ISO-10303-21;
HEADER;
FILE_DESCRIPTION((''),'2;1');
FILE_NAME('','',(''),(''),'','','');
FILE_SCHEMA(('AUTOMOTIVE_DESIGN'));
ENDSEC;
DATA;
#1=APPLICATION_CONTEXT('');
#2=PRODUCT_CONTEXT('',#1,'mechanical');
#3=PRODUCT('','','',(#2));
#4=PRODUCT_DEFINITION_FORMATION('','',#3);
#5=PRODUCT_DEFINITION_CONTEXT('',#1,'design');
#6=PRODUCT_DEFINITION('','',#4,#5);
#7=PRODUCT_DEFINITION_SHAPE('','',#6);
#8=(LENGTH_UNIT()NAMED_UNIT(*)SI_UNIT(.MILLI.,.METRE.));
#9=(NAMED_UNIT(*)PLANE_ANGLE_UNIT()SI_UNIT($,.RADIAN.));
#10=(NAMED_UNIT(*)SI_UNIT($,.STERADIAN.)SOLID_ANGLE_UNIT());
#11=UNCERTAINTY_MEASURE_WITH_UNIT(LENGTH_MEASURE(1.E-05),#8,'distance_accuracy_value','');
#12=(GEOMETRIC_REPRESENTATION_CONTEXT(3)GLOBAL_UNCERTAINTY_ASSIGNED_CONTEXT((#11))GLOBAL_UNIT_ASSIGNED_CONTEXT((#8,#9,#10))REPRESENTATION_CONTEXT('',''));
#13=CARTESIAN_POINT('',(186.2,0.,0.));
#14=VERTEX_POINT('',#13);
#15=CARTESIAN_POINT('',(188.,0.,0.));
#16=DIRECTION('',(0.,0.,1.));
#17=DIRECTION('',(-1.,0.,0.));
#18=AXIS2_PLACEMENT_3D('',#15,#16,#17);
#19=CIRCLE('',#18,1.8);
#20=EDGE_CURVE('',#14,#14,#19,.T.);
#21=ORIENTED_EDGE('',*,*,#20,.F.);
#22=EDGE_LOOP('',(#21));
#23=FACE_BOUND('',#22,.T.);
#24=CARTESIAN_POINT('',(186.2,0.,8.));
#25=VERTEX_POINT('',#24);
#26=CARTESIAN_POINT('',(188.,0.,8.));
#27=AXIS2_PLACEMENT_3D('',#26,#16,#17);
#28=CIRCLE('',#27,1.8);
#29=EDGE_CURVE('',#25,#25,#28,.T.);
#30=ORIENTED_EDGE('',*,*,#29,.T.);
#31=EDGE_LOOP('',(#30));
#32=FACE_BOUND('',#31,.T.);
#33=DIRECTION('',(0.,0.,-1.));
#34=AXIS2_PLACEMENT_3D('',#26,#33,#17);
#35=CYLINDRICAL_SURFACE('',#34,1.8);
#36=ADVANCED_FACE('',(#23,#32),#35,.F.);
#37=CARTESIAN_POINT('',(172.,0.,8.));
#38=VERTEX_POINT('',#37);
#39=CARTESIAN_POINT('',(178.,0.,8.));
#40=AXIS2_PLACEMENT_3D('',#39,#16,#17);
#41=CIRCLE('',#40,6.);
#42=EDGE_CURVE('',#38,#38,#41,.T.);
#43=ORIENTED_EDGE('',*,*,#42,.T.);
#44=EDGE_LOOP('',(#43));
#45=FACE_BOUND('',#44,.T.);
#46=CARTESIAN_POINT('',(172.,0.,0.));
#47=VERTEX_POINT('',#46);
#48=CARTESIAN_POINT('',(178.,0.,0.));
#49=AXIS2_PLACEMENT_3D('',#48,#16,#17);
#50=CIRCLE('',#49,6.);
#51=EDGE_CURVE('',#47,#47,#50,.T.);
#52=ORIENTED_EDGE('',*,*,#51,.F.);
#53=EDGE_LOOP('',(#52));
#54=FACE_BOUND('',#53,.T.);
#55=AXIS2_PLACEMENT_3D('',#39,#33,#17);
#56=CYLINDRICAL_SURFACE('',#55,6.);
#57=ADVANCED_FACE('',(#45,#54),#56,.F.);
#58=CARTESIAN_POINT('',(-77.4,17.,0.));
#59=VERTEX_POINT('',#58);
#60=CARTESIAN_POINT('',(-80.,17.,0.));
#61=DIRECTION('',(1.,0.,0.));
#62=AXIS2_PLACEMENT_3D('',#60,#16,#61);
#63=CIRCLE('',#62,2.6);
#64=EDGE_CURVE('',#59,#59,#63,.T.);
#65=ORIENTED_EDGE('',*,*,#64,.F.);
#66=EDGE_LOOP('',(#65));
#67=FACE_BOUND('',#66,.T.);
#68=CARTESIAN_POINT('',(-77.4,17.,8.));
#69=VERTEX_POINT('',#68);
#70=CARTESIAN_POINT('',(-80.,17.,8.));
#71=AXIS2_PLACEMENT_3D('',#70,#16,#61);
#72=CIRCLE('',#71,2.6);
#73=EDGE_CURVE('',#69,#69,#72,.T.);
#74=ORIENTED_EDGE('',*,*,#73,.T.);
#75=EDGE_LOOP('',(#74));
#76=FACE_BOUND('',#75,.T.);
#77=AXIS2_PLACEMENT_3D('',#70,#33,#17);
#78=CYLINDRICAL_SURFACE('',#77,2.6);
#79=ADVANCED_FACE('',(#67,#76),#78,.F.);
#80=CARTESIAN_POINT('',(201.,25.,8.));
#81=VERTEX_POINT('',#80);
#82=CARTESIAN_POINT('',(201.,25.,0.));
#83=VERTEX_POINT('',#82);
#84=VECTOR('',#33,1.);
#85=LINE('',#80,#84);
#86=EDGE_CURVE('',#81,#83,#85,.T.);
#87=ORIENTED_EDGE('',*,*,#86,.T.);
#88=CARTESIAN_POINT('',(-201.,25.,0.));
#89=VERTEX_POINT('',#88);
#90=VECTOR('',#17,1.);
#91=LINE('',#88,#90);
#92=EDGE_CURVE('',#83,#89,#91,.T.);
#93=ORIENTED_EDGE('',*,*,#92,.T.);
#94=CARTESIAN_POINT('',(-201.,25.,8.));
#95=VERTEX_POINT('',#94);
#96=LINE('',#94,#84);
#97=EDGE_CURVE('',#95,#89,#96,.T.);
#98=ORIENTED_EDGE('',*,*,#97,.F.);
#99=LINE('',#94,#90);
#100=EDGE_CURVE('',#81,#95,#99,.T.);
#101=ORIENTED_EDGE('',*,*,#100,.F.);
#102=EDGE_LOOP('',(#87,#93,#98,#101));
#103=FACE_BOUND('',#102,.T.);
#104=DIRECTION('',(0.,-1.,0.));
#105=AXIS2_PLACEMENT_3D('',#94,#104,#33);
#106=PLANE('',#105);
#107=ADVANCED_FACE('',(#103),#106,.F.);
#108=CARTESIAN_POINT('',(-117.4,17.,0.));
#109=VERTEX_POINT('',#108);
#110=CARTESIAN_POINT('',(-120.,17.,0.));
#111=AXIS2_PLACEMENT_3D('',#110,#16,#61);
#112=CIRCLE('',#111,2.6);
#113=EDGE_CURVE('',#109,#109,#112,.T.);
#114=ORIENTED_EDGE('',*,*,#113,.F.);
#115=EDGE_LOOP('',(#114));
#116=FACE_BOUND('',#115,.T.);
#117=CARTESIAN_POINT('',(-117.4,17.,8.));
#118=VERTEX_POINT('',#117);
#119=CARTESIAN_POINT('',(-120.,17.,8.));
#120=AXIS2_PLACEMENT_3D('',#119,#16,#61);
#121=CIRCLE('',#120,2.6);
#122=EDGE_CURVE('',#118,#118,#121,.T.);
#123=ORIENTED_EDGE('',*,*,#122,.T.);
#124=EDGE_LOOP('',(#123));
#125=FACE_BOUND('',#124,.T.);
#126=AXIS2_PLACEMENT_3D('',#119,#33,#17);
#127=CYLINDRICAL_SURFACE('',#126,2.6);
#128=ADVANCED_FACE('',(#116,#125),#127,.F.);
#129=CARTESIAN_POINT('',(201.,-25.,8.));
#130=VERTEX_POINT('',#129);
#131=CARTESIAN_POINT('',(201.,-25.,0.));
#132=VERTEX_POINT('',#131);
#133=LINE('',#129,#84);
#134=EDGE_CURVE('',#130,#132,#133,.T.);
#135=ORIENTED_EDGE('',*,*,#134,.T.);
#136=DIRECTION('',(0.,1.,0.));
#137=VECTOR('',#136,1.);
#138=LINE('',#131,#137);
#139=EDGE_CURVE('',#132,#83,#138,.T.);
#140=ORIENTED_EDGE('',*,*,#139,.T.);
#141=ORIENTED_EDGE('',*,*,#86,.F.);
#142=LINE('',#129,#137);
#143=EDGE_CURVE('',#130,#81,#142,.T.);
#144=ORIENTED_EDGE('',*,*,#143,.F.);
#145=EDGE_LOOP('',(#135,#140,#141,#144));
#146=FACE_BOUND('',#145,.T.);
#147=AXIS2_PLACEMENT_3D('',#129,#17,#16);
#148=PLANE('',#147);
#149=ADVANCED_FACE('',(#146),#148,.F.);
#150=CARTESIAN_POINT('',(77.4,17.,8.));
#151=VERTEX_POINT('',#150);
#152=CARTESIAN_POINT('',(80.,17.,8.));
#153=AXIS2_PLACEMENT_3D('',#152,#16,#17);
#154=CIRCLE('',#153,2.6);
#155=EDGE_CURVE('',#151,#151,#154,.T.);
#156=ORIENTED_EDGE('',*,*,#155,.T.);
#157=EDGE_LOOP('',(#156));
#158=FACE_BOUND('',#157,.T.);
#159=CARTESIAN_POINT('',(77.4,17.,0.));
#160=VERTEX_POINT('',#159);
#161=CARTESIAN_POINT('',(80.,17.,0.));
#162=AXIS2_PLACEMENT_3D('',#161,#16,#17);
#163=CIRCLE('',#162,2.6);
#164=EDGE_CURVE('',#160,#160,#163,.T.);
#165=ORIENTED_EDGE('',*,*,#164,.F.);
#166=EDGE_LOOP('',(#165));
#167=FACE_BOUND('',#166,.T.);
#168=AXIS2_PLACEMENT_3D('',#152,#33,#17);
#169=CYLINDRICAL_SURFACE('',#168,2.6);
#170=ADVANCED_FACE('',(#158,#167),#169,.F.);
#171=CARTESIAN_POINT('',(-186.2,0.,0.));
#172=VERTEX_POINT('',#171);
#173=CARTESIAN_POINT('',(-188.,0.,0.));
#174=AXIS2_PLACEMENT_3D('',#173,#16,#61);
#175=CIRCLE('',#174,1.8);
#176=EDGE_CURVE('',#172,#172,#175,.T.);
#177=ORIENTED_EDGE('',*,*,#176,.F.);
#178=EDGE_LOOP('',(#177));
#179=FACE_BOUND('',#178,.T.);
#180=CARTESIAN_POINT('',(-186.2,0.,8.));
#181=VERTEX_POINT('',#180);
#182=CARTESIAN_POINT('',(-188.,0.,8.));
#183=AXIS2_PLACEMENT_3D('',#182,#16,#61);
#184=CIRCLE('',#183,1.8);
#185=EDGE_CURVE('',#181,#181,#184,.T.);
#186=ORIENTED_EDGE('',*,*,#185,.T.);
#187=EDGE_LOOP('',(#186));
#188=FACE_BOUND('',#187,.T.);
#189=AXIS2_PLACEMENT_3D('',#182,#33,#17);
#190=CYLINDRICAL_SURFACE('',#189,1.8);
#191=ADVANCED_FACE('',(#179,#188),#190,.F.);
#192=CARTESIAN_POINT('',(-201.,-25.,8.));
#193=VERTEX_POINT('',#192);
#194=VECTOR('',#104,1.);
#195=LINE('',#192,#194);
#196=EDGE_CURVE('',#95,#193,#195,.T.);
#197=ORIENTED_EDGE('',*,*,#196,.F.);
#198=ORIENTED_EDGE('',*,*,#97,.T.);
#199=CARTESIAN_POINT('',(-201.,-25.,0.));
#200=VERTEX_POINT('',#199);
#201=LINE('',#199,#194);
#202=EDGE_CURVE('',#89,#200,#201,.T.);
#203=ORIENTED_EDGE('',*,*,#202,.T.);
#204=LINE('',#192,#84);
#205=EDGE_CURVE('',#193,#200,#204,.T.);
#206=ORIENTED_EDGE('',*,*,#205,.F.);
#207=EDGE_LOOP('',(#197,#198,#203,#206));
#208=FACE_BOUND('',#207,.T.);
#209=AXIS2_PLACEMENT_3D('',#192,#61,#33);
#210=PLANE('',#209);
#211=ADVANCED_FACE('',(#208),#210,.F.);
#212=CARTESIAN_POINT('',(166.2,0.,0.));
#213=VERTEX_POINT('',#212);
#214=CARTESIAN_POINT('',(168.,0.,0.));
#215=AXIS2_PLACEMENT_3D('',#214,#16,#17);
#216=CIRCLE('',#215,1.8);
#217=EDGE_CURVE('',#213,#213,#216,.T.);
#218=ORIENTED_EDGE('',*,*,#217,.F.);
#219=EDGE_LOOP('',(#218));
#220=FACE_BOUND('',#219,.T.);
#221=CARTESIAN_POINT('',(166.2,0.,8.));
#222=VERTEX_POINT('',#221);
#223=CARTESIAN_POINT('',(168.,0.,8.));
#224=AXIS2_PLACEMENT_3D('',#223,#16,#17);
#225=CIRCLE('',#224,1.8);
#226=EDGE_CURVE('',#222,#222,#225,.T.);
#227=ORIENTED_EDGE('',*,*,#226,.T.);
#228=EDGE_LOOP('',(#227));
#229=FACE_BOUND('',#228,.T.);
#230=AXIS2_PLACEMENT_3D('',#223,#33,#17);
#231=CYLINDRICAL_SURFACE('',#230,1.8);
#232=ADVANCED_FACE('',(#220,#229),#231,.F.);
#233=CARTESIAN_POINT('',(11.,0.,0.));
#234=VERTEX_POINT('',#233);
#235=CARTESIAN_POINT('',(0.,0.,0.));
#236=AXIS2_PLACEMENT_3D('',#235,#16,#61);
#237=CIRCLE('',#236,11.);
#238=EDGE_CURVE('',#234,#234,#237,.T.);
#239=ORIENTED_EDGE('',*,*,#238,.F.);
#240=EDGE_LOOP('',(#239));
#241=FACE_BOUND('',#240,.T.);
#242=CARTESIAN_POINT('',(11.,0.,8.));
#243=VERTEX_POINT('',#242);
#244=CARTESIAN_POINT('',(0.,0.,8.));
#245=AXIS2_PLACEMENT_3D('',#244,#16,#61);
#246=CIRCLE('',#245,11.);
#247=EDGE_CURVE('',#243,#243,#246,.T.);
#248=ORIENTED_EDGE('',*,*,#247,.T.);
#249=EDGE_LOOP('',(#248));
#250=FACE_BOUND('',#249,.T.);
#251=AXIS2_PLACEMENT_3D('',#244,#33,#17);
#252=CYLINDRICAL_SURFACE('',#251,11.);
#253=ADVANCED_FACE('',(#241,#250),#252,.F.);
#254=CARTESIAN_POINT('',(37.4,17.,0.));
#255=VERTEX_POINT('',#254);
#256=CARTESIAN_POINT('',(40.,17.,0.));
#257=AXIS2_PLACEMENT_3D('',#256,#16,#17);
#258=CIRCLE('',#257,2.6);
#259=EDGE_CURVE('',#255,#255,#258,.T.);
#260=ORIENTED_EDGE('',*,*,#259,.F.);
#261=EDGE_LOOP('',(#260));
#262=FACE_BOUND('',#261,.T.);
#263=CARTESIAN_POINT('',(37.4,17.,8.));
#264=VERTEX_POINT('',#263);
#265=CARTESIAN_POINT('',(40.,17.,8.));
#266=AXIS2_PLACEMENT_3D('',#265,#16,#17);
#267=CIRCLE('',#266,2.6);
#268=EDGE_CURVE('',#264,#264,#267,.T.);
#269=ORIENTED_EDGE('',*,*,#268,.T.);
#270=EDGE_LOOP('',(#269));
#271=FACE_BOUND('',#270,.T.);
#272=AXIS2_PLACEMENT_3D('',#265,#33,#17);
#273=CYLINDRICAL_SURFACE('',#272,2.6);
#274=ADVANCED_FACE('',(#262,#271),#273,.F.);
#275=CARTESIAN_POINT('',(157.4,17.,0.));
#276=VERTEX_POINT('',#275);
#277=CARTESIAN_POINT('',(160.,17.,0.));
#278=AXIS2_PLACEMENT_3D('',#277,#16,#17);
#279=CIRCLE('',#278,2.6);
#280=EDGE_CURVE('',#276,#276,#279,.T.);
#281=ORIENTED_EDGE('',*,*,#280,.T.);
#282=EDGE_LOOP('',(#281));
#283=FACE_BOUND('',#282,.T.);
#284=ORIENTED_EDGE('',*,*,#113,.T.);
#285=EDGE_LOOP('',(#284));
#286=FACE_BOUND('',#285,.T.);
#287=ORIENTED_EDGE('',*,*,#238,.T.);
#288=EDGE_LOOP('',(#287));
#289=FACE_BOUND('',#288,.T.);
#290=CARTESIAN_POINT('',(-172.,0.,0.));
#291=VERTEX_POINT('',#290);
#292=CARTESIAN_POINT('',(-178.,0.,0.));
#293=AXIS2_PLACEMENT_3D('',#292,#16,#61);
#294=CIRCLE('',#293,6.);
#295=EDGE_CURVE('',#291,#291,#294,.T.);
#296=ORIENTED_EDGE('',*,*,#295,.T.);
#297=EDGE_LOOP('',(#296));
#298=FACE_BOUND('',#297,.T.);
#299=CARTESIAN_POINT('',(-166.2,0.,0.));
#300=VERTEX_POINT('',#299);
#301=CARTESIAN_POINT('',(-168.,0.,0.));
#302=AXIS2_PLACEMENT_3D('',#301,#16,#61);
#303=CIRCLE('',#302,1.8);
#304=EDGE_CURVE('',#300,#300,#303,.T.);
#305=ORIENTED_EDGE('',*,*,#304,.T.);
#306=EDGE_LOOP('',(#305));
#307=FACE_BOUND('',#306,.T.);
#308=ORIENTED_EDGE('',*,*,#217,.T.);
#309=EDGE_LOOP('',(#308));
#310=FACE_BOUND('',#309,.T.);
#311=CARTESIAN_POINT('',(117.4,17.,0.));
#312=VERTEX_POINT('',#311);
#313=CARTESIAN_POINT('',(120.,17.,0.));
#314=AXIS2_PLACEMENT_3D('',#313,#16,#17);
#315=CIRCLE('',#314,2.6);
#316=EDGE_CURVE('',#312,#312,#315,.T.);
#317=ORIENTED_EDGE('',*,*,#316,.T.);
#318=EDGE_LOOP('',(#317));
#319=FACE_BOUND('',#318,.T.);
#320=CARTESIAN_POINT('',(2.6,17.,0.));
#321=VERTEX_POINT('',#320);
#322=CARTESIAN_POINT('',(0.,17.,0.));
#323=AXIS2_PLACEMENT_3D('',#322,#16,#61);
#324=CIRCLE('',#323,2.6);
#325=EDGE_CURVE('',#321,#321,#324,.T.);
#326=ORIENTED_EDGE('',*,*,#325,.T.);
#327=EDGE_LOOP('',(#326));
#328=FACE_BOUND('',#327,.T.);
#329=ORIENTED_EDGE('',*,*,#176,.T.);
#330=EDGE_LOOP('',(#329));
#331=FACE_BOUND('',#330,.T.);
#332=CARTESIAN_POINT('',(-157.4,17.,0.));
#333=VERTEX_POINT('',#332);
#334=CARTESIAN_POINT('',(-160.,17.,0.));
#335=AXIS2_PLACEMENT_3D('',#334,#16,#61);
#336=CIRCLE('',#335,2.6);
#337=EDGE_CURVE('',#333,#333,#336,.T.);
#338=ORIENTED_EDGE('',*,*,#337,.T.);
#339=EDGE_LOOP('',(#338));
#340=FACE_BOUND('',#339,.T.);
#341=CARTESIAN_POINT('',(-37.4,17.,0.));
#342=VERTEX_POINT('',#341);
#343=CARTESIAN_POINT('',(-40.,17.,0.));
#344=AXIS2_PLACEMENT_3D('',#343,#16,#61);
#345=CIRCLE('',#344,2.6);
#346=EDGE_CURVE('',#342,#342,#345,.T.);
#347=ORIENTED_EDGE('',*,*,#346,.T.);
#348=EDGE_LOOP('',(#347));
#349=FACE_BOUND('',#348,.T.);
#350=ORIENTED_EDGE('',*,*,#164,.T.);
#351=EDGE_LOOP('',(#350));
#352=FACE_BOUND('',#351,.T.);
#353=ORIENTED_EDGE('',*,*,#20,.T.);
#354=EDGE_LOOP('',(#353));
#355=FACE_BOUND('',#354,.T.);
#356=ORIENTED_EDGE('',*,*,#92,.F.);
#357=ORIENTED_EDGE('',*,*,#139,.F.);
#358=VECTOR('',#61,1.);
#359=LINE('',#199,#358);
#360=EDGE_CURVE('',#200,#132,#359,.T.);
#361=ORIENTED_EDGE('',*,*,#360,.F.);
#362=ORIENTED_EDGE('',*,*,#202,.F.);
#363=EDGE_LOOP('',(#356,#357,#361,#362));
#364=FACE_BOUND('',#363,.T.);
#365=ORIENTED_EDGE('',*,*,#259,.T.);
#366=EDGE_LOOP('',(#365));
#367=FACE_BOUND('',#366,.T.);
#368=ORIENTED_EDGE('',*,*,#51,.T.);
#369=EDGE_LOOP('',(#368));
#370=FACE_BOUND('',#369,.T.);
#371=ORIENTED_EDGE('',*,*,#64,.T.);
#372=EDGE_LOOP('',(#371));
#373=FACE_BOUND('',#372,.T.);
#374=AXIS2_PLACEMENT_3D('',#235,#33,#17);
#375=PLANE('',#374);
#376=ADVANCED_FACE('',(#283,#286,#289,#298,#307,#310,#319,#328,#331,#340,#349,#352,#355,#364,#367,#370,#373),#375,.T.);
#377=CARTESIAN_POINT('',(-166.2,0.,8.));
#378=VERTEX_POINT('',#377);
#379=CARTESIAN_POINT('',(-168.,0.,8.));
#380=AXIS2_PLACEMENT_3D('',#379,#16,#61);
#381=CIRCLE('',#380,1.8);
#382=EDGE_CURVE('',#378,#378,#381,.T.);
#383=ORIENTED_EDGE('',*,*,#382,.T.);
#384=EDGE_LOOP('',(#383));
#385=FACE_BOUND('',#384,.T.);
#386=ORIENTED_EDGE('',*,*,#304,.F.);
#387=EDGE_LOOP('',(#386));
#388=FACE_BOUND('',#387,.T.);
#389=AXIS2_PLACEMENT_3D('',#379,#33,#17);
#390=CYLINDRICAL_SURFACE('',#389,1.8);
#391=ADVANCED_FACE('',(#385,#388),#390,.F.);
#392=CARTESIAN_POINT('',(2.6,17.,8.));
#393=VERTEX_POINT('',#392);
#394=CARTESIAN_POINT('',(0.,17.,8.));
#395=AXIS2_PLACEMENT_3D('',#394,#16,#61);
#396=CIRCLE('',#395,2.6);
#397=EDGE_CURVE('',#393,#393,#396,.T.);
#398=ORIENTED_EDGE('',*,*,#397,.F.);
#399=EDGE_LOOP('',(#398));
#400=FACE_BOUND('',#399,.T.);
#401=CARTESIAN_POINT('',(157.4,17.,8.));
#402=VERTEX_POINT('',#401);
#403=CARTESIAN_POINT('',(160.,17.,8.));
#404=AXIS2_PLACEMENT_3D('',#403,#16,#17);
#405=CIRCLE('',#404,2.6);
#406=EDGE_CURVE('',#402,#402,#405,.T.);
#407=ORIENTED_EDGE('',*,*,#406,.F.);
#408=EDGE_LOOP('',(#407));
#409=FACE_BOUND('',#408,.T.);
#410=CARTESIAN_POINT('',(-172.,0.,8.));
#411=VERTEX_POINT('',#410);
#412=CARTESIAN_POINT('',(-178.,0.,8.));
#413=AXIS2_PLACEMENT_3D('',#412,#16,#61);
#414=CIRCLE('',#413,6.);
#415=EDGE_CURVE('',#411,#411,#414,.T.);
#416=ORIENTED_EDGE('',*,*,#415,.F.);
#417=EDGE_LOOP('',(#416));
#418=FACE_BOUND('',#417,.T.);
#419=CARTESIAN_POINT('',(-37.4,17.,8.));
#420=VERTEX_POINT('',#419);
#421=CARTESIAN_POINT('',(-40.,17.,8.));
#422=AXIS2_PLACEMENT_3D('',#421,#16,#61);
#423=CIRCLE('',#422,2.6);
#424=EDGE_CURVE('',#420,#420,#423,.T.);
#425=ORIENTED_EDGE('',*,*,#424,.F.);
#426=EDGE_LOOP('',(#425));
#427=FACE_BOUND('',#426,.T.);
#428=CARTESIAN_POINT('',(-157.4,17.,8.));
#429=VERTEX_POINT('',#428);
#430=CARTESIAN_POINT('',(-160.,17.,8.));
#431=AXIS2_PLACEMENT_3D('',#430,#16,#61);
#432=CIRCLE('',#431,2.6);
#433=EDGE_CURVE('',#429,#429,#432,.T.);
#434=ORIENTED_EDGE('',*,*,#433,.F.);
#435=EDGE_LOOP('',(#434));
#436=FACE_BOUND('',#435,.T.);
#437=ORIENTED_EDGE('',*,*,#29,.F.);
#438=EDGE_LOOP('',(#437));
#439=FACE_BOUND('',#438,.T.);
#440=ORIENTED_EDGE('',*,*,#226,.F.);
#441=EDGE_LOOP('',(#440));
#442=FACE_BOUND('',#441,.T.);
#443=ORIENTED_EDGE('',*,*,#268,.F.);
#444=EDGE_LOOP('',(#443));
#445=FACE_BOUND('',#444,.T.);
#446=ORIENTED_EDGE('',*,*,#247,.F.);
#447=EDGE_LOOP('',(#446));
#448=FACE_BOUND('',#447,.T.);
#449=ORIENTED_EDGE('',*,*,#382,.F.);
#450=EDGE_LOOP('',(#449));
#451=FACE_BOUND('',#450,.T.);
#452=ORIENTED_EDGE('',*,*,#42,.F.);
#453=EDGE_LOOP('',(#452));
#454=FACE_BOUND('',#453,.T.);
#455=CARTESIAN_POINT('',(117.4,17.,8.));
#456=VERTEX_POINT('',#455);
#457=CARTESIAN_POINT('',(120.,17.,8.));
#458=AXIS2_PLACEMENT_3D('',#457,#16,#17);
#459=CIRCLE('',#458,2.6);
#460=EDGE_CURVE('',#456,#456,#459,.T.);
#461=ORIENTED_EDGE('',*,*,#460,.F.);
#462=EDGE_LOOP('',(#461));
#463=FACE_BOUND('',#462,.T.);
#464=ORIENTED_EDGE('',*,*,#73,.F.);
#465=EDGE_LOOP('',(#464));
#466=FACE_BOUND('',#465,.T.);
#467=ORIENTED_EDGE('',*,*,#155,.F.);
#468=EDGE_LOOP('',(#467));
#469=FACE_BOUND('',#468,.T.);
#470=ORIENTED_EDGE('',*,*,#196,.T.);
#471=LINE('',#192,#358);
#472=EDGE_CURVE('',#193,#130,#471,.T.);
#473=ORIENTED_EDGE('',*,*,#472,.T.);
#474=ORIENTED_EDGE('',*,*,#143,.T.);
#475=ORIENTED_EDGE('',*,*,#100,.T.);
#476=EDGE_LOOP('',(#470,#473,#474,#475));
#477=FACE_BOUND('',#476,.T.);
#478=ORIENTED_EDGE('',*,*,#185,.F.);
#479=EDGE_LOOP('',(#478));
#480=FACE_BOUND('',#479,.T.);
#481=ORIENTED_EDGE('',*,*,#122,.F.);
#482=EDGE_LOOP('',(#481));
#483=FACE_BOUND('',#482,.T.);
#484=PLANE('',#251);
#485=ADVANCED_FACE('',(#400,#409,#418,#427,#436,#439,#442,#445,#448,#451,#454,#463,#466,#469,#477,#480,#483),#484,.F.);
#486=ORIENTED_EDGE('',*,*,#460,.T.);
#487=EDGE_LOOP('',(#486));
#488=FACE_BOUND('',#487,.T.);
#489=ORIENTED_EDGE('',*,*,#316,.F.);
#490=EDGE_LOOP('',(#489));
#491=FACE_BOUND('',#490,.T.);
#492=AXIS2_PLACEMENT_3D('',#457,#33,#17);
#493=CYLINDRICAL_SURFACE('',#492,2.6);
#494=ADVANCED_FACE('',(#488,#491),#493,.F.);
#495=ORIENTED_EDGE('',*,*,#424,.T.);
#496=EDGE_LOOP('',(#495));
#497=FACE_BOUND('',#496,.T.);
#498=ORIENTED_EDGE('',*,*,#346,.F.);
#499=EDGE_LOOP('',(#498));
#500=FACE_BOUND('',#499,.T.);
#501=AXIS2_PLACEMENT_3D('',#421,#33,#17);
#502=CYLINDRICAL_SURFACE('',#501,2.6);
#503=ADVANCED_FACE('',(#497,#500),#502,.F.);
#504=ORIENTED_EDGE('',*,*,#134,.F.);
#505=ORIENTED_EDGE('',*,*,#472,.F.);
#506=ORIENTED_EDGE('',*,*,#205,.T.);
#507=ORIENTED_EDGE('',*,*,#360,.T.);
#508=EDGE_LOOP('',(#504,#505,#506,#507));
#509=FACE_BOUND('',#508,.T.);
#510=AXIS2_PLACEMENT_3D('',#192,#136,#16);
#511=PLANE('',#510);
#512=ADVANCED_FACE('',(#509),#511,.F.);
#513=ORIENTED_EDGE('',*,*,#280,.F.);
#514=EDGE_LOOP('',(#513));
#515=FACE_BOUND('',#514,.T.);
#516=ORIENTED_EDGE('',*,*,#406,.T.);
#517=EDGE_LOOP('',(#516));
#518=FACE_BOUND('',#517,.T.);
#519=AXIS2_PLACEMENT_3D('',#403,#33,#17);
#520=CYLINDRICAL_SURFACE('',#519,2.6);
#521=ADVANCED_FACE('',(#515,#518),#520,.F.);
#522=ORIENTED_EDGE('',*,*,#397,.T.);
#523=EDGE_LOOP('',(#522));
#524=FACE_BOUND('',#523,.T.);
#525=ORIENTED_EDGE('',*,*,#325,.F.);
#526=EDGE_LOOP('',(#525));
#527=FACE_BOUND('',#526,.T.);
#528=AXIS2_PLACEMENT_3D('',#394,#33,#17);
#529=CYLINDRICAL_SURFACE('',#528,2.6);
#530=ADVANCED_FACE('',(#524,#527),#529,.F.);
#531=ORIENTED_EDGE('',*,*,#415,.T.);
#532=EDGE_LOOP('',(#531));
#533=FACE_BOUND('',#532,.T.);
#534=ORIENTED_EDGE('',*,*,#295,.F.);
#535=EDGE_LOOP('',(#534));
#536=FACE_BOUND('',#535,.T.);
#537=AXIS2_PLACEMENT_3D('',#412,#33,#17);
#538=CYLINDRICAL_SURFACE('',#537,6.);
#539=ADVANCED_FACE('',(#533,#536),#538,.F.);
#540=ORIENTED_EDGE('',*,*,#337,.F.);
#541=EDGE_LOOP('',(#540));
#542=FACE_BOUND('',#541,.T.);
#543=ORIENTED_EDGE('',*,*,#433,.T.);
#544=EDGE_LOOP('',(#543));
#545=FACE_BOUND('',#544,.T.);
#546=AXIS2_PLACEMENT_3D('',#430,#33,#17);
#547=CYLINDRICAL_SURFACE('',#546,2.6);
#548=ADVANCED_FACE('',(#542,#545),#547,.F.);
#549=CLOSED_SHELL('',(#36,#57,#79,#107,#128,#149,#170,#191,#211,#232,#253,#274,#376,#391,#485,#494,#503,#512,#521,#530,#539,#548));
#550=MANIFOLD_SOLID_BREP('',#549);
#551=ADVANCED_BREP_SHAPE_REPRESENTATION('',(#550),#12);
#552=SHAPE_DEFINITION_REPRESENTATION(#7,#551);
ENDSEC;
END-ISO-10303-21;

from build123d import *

# Parameters (mm, degrees)
SKETCH1_W           = 402
SKETCH1_H           = 50
SKETCH1_R           = 6
SKETCH1_R_2         = 1.8
SKETCH1_R_3         = 11
SKETCH1_R_4         = 2.6
BOSS_EXTRUDE1_DEPTH = 8


with BuildPart() as part:
    # Sketch1 → Boss-Extrude1 (new body)
    with BuildSketch(Plane.XY):
        Rectangle(SKETCH1_W, SKETCH1_H)
        with Locations((-178, 0)):
            Circle(SKETCH1_R, mode=Mode.SUBTRACT)
        with Locations((168, 0)):
            Circle(SKETCH1_R_2, mode=Mode.SUBTRACT)
        Circle(SKETCH1_R_3, mode=Mode.SUBTRACT)
        with Locations((-188, 0)):
            Circle(SKETCH1_R_2, mode=Mode.SUBTRACT)
        with Locations((-168, 0)):
            Circle(SKETCH1_R_2, mode=Mode.SUBTRACT)
        with Locations((188, 0)):
            Circle(SKETCH1_R_2, mode=Mode.SUBTRACT)
        with Locations((178, 0)):
            Circle(SKETCH1_R, mode=Mode.SUBTRACT)
        with Locations((0, 17)):
            Circle(SKETCH1_R_4, mode=Mode.SUBTRACT)
        with Locations((-40, 17)):
            Circle(SKETCH1_R_4, mode=Mode.SUBTRACT)
        with Locations((-80, 17)):
            Circle(SKETCH1_R_4, mode=Mode.SUBTRACT)
        with Locations((-120, 17)):
            Circle(SKETCH1_R_4, mode=Mode.SUBTRACT)
        with Locations((-160, 17)):
            Circle(SKETCH1_R_4, mode=Mode.SUBTRACT)
        with Locations((40, 17)):
            Circle(SKETCH1_R_4, mode=Mode.SUBTRACT)
        with Locations((80, 17)):
            Circle(SKETCH1_R_4, mode=Mode.SUBTRACT)
        with Locations((120, 17)):
            Circle(SKETCH1_R_4, mode=Mode.SUBTRACT)
        with Locations((160, 17)):
            Circle(SKETCH1_R_4, mode=Mode.SUBTRACT)
    extrude(amount=BOSS_EXTRUDE1_DEPTH)


solid = part.part
